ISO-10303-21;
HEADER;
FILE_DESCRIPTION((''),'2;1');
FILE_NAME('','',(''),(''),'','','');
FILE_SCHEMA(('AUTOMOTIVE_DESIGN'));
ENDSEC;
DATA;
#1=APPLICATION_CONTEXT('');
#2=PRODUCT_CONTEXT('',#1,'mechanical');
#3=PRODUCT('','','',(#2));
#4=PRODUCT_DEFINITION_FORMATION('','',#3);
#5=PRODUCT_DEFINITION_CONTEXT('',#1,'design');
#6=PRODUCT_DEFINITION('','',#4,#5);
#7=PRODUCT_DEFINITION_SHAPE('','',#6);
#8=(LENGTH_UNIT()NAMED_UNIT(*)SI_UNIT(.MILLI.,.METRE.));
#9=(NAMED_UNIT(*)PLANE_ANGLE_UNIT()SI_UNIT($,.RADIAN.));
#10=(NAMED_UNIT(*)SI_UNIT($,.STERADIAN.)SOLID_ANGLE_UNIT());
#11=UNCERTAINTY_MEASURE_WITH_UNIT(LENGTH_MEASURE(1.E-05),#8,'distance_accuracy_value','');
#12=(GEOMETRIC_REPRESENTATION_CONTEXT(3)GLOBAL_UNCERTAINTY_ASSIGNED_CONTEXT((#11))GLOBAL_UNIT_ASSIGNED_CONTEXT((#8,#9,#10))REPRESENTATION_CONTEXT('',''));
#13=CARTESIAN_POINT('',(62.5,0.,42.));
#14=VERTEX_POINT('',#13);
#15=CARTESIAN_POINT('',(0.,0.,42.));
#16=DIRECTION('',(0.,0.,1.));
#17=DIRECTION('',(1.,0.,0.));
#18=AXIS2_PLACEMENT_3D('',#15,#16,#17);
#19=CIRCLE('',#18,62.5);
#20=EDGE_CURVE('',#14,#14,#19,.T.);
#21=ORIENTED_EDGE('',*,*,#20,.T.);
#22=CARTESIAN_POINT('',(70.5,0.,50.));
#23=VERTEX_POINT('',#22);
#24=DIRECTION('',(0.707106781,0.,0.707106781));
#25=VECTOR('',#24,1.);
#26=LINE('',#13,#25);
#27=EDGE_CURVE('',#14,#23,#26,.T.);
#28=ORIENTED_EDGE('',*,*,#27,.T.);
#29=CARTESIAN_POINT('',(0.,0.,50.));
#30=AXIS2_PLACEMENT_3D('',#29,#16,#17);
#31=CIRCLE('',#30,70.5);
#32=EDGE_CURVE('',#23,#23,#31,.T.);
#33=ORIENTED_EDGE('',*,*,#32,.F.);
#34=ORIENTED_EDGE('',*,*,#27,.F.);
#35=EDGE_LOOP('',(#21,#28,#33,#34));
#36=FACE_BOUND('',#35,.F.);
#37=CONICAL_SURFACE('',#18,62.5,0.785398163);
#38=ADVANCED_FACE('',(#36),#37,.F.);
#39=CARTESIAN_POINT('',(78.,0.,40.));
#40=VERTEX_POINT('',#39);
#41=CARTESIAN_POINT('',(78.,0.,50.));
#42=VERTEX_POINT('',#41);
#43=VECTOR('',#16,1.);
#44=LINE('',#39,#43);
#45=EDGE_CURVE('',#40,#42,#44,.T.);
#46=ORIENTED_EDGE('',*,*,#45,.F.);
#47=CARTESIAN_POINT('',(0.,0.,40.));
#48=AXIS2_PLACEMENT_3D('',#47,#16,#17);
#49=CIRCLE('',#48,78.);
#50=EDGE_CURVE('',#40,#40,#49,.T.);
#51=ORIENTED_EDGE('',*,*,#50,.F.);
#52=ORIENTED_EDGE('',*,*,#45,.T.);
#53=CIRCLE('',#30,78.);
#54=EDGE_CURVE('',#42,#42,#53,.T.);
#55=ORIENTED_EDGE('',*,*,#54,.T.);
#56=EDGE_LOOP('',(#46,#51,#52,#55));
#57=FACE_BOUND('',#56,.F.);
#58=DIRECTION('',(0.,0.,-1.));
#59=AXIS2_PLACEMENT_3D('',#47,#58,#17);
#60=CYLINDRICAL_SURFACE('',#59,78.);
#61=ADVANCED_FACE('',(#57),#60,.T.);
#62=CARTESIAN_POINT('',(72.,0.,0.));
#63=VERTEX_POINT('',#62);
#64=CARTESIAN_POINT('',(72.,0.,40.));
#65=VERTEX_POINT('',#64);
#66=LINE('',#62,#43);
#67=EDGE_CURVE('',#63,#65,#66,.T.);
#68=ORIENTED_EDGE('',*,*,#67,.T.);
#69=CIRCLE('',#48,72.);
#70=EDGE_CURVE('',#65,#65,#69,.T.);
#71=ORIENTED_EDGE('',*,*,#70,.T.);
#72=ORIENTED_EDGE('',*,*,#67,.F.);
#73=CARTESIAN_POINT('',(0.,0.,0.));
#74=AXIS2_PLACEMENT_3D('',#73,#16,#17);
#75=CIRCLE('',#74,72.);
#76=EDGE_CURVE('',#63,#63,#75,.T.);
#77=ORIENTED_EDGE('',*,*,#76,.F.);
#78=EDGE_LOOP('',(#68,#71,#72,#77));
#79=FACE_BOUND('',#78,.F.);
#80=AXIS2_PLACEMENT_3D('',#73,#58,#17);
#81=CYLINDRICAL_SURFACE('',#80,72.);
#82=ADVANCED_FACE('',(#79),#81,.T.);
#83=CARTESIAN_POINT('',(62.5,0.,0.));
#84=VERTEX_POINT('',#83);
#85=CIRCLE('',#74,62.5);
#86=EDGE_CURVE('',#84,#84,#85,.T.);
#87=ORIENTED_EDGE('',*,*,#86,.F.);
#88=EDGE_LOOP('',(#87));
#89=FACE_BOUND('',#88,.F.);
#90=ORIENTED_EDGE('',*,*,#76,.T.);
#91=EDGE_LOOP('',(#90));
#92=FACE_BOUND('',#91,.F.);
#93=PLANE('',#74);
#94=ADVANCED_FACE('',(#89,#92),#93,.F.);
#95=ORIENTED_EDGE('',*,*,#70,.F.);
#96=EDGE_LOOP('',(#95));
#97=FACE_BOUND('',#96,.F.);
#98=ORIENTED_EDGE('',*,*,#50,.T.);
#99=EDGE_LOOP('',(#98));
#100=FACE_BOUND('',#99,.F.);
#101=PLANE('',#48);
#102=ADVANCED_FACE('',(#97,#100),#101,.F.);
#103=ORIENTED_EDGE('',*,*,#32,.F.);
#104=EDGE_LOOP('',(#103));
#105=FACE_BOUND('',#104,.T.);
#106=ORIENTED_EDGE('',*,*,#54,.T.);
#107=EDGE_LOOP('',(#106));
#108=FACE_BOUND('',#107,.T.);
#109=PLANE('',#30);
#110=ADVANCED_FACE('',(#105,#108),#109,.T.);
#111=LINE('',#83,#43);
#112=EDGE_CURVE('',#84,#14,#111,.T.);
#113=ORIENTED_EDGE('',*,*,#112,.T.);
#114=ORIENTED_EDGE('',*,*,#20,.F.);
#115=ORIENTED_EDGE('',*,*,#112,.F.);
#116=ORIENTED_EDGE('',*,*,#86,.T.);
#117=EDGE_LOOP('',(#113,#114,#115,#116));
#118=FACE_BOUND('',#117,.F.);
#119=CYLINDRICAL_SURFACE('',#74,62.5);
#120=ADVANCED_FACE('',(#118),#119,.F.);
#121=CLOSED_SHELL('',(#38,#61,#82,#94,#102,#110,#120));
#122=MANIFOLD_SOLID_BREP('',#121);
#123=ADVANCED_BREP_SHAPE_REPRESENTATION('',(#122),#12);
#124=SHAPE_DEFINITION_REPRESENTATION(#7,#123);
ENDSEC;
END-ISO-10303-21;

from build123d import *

# Parameters (mm, degrees)
F0_R     = 72
F1_DEPTH = 40
F2_R     = 78
F3_DEPTH = 10


with BuildPart() as f1:
    # F0 (on Top) → F1 (new body)
    with BuildSketch(Plane.XY):
        Circle(F0_R)
    extrude(amount=F1_DEPTH)

    # F2 (on face) → F3 (join)
    with BuildSketch(Plane.XY.offset(40)):
        Circle(F2_R)
    extrude(amount=F3_DEPTH)

    # F4 (on Front) → F5 (revolve, cut)
    with BuildSketch(Plane.XZ):
        Polygon((70.5, 50), (0, 50), (0, 0), (62.5, 0), (62.5, 42), align=None)
    revolve(axis=Axis((0, 0, 50), (0, 0, 1)), mode=Mode.SUBTRACT)


solid = f1.part
